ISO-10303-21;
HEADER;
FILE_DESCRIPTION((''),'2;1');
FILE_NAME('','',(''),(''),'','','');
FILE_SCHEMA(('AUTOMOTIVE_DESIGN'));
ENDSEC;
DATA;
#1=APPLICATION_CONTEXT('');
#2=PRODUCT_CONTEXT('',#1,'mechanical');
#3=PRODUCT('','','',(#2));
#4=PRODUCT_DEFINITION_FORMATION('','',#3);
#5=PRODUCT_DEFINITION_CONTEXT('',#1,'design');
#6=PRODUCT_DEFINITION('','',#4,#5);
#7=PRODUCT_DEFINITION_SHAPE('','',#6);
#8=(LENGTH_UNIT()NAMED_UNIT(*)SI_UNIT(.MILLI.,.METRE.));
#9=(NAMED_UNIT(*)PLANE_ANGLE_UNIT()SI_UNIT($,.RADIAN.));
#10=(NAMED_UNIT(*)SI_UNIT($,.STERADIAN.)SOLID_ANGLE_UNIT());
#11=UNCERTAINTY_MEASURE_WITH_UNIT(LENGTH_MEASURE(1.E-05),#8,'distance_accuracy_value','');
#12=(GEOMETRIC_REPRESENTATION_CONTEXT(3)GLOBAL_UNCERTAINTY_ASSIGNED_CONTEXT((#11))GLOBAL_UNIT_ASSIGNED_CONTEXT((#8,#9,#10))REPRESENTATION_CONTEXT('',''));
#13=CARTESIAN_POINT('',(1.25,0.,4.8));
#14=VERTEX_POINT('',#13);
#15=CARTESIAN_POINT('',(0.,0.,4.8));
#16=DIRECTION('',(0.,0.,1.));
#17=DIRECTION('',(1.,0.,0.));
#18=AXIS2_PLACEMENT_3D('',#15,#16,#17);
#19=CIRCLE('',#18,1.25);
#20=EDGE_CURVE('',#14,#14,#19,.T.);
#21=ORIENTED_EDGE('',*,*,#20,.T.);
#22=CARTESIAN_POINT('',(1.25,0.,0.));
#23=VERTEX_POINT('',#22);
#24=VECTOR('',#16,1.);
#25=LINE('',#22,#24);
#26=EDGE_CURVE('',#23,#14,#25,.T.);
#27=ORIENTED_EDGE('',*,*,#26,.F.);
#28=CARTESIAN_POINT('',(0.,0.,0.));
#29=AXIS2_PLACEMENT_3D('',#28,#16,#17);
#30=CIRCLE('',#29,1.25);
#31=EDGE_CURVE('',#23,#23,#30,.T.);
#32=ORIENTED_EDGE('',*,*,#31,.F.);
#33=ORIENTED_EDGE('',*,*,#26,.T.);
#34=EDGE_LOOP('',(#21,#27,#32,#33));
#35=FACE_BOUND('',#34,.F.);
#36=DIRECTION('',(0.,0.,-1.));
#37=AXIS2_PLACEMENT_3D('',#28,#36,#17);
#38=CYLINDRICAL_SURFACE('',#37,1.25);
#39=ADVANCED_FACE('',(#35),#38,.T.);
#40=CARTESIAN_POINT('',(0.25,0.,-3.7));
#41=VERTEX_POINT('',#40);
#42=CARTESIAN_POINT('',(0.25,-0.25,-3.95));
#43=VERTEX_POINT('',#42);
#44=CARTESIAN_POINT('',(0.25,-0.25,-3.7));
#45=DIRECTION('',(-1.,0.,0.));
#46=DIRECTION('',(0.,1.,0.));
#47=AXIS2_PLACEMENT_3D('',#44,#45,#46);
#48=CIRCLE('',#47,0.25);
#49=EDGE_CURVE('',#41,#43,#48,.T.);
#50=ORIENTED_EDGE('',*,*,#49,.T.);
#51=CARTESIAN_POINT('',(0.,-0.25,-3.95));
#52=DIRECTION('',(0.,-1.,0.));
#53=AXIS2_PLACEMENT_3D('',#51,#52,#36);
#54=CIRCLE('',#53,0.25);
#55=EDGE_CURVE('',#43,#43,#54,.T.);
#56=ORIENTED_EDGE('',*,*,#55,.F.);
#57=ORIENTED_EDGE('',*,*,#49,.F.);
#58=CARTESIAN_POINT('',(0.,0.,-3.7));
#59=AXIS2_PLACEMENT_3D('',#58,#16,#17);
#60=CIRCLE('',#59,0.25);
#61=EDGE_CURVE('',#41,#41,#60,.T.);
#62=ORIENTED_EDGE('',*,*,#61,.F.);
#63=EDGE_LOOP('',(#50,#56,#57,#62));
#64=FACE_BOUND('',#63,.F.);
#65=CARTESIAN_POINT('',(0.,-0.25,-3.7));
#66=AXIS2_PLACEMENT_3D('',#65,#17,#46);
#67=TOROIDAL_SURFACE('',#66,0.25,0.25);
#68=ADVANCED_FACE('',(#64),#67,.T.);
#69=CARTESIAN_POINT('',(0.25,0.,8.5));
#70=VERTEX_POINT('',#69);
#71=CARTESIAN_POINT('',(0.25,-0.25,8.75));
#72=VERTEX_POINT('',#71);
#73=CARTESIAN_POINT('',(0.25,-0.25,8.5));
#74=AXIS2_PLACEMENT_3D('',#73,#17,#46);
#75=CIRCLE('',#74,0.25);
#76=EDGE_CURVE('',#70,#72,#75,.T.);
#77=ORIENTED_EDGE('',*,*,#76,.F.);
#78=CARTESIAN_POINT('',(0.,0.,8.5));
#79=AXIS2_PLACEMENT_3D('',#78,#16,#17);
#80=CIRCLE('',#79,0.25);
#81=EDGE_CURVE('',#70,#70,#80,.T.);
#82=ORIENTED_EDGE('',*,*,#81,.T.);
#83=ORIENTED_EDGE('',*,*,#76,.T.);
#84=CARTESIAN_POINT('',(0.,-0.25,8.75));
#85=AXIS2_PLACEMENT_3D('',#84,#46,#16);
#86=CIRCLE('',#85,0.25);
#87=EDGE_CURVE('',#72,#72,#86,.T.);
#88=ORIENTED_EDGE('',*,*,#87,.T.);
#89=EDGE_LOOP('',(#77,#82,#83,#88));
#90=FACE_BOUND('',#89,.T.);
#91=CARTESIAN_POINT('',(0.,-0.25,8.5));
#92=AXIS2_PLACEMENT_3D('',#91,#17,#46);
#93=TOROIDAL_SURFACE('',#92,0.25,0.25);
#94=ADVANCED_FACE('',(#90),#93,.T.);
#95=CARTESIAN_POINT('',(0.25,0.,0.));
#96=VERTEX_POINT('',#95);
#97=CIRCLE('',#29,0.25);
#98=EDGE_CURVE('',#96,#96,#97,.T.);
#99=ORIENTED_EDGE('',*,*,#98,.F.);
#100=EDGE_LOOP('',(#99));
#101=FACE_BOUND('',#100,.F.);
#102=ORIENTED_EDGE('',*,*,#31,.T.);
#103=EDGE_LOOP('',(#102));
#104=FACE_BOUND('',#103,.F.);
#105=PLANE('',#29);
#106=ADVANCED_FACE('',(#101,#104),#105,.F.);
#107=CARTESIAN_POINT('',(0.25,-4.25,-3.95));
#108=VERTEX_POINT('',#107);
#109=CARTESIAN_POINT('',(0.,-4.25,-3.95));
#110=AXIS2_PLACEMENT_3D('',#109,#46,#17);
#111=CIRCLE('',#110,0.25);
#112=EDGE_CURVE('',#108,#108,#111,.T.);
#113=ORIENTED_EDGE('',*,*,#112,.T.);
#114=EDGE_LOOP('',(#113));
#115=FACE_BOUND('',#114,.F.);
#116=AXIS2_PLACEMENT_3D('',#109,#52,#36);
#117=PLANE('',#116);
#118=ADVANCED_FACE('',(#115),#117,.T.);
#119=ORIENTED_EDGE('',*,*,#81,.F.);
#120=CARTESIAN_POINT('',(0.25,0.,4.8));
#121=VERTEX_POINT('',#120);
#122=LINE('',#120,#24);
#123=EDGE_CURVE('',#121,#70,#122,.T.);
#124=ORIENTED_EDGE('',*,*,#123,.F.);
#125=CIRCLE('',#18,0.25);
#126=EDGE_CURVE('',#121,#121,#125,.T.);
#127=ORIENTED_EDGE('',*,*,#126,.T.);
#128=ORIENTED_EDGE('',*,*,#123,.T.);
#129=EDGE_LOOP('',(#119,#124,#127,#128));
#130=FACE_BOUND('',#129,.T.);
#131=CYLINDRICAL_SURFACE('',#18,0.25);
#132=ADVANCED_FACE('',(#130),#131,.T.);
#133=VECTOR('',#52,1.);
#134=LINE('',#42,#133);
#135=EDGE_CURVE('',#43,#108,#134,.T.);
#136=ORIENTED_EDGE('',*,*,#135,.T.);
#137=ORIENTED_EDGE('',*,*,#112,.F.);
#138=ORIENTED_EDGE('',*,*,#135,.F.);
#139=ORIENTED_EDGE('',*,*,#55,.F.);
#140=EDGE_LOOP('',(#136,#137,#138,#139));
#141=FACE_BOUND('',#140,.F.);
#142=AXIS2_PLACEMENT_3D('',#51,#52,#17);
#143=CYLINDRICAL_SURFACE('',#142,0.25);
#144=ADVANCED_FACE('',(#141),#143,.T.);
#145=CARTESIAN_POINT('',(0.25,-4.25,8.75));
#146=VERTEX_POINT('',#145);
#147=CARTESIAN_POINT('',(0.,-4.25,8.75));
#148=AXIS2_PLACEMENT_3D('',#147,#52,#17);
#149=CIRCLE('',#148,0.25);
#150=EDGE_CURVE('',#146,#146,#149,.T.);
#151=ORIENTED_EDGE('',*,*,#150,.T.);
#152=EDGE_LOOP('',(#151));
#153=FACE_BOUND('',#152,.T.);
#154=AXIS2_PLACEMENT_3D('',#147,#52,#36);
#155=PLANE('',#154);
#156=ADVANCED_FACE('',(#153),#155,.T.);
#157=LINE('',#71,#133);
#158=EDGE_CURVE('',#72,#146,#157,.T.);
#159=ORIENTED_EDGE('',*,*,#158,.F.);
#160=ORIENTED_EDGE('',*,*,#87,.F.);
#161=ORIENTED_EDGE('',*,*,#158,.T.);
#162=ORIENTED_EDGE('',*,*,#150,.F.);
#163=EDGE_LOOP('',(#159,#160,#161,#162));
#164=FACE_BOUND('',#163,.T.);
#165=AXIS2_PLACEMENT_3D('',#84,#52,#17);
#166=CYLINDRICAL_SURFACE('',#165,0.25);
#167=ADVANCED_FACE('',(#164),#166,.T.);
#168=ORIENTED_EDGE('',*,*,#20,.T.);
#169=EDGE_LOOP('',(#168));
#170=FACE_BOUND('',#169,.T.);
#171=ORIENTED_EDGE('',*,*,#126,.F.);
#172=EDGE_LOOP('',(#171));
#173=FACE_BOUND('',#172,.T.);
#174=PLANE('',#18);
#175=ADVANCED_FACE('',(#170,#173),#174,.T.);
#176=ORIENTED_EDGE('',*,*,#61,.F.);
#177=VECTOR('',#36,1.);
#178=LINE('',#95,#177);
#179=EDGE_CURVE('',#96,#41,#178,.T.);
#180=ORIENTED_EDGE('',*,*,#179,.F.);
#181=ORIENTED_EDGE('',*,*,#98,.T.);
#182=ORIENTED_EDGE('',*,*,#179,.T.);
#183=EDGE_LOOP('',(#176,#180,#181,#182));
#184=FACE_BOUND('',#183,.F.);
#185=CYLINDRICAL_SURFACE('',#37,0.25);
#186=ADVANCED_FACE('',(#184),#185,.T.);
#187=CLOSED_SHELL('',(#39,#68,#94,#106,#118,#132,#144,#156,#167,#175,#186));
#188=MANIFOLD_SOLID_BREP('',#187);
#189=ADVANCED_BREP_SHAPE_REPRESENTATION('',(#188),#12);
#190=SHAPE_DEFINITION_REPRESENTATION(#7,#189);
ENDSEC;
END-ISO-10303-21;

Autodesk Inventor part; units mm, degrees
sketch "Skizze3" plane through (0, 0, 0) normal (0, 0, 1) x (1, 0, 0)
  circle A0 centre (0, 0) radius 1.25
  dimension "d0" = 2.5
extrude "Extrusion1" add sketch "Skizze3" along normal blind 4.8
ref_plane "Arbeitsebene1" through (0, 0, 3.8) normal (0, 0, 1) x (1, 0, 0)
split_face "Trennen1"
ref_plane "Arbeitsebene2" through (0, 0, 0) normal (1, 0, 0) x (0, 1, 0)
sketch "Skizze6" plane through (0, 0, 0) normal (1, 0, 0) x (0, 1, 0)
  line L0 (0, 4.8) -> (0, 8.5)
  arc A0 (0, 8.5) -> (-0.25, 8.75) centre (-0.25, 8.5) ccw
  line L1 (-0.25, 8.5) -> (-0.25, 8.75) construction
  line L2 (-0.25, 8.5) -> (0, 8.5) construction
  line L3 (-0.25, 8.75) -> (-4.25, 8.75)
  line L4 (1.25, 4.8) -> (-1.25, 4.8) projected
  line L5 (1.25, 4.8) -> (1.25, 3.8) projected
  line L6 (1.25, 3.8) -> (1.25, 0) projected
  line L7 (1.25, 0) -> (-1.25, 0) projected
  line L8 (-1.25, 0) -> (-1.25, 3.8) projected
  line L9 (-1.25, 3.8) -> (-1.25, 4.8) projected
  line L10 (-1.25, 4.8) -> (1.25, 4.8) projected
  line L11 (-1.25, 3.8) -> (-1.25, 4.8) projected
  point P0 (0, 0)
  dimension "d7" = 90
  dimension "d9" = 3.7
  dimension "d10" = 4
  dimension "d13" = 0.25
  dimension "d20" = 0.25
  dimension "d21" = 1.25
sketch "Skizze4" plane through (0, 0, 4.8) normal (0, 0, 1) x (1, 0, 0)
  circle A0 centre (0, 0) radius 0.25
  dimension "d4" = 0.5
sweep "Sweeping1" add profiles "Skizze4" path "Skizze6" path curves L0 A0 L3
ref_plane "Arbeitsebene3" through (0, 0, 2.4) normal (0, 0, -1) x (-1, 0, 0)
mirror "Spiegeln1" about plane through (0, 0, 2.4) normal (0, 0, -1) of "Sweeping1"
properties part number "Diode"
